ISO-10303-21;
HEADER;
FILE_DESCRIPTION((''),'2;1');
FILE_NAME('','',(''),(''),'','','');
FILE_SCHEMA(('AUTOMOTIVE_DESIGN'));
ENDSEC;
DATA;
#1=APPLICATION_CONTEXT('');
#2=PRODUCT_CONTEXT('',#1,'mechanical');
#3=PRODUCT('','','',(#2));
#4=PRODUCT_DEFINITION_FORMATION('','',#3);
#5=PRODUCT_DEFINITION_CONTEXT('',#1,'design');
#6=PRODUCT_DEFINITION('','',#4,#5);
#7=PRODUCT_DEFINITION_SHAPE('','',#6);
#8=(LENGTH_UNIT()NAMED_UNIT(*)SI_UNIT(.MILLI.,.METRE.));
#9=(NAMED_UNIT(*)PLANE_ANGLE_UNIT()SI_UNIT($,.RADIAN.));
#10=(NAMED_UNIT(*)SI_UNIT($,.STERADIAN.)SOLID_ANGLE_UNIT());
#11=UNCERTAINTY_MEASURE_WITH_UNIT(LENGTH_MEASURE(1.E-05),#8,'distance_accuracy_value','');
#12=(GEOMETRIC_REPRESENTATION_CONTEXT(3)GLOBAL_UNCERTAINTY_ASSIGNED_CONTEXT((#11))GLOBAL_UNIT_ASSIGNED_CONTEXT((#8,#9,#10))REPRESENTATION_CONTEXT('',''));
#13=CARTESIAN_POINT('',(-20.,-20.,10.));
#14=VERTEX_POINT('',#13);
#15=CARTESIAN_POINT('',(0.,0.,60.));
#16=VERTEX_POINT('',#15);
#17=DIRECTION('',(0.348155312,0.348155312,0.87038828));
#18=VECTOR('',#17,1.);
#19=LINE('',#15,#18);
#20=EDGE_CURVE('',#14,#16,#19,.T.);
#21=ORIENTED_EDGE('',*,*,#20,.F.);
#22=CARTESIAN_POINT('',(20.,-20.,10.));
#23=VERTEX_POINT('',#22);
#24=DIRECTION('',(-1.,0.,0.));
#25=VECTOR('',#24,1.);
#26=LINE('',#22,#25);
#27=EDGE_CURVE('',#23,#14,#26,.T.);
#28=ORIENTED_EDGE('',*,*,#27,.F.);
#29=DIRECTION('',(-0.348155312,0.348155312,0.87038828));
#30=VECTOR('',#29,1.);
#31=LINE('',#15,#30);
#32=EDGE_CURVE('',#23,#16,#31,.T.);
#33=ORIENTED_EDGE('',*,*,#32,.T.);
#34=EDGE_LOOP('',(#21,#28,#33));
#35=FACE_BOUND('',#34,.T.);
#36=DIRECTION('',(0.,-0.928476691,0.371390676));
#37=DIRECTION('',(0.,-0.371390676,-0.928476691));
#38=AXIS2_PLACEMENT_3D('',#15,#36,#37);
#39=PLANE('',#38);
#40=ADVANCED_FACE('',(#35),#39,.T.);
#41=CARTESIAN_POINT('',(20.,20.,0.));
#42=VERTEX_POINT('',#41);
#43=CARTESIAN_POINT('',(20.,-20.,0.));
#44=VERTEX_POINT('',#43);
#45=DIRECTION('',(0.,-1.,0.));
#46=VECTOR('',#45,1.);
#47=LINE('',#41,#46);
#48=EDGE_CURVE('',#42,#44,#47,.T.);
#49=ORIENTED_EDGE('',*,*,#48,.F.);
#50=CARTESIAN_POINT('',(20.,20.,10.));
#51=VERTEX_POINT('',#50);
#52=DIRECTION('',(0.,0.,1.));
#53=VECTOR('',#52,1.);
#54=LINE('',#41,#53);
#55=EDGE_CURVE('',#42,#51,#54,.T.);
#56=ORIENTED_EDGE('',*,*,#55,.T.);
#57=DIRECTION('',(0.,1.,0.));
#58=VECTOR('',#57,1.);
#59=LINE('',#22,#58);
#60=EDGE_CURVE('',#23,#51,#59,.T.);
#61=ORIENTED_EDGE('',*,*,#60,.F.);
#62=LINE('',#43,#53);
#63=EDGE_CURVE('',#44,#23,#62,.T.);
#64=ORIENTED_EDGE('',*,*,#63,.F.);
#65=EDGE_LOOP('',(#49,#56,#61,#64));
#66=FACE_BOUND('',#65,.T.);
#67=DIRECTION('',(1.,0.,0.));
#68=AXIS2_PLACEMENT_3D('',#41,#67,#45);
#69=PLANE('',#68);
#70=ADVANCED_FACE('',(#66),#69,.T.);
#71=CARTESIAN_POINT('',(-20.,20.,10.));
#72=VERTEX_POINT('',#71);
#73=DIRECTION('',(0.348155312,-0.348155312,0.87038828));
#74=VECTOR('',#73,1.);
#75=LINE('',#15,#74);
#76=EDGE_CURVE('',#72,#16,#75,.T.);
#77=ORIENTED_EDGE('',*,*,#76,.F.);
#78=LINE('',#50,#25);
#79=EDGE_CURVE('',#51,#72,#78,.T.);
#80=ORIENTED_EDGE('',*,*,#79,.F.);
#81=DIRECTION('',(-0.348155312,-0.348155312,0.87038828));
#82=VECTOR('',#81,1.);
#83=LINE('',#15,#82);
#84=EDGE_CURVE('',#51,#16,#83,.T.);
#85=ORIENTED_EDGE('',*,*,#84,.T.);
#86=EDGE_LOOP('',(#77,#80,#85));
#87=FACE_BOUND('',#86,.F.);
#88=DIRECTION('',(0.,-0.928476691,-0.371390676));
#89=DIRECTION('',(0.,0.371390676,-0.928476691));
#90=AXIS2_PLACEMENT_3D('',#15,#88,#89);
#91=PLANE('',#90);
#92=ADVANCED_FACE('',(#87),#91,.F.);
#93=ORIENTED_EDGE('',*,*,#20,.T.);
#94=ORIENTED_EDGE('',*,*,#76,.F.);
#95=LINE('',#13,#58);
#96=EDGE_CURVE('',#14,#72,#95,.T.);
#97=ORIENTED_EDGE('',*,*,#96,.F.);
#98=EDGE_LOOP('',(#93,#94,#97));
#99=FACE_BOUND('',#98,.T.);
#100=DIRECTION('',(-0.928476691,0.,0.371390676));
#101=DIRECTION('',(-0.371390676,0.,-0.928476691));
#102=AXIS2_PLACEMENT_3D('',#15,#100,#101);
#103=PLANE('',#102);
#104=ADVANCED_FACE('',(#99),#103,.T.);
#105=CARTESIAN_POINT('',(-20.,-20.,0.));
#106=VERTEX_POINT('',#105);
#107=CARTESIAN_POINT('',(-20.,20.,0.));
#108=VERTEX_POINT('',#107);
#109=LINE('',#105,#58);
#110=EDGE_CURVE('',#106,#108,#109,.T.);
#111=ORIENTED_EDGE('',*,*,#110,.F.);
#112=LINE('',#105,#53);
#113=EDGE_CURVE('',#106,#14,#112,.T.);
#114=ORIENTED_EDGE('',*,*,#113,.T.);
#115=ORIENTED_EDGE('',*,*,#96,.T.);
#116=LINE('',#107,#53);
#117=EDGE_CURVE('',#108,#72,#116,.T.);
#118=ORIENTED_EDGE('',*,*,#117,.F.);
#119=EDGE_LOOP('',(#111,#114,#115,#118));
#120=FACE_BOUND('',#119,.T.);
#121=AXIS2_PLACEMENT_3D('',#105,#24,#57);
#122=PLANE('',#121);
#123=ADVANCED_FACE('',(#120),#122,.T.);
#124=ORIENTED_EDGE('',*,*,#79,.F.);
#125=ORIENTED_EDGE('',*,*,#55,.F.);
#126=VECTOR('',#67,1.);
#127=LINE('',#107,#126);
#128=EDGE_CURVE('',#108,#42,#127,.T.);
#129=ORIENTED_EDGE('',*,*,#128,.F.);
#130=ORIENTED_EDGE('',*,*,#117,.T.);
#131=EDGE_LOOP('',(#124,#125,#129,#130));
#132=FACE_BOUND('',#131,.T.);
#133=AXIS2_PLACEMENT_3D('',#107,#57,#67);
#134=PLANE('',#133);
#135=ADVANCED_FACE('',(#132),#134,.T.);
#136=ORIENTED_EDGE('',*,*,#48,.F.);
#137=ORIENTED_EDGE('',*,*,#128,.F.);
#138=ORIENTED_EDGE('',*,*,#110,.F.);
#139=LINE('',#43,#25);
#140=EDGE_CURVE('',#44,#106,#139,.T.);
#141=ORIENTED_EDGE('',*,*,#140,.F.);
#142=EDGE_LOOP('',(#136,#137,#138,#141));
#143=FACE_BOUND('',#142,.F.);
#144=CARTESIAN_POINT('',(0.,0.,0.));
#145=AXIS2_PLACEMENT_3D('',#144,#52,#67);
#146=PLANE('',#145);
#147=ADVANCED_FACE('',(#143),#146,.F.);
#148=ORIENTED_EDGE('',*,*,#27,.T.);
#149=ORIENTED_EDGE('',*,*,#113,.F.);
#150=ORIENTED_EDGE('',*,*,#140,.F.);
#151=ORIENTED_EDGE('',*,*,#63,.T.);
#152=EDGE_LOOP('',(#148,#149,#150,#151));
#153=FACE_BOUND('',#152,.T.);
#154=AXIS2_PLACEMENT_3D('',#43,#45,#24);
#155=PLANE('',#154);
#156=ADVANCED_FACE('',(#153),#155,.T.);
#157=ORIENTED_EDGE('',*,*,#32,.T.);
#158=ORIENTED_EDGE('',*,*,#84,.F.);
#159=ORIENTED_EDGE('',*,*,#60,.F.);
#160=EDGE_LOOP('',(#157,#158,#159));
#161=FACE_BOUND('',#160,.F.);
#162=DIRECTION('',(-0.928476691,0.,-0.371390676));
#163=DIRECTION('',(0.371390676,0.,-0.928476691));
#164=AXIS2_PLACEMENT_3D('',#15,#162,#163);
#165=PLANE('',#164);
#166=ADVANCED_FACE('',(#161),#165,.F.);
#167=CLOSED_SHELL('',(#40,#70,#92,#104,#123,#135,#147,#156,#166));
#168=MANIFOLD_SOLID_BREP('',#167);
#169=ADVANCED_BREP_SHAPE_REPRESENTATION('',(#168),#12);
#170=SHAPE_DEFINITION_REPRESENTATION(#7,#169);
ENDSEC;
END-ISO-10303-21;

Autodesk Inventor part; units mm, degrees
ref_plane "YZ Plane" through (0, 0, 0) normal (1, 0, 0) x (0, 1, 0)
ref_plane "XZ Plane" through (0, 0, 0) normal (0, 1, 0) x (-1, 0, 0)
ref_plane "XY Plane" through (0, 0, 0) normal (0, 0, 1) x (1, 0, 0)
sketch "Absorber-Base" plane through (0, 0, 0) normal (0, 0, 1) x (1, 0, 0)
  line L0 (-20, 20) -> (20, 20)
  line L1 (20, 20) -> (20, -20)
  line L2 (20, -20) -> (-20, -20)
  line L3 (-20, -20) -> (-20, 20)
  line L4 (-20, 20) -> (20, -20) construction
  line L5 (20, 20) -> (-20, -20) construction
  point P0 (0, 0)
  dimension "d0" = 40
extrude "Gesamtvolumen" add sketch "Absorber-Base" along normal blind 60
sketch "Skizze2" plane through (0, 0, 0) normal (0, 1, 0) x (-1, 0, 0)
  line L0 (-28, 0) -> (28, 0) projected
  line L1 (20, 0) -> (20, 60) projected
  line L2 (-20, 0) -> (-20, 60) projected
  line L3 (20, 0) -> (-20, 0)
  line L4 (-20, 0) -> (-20, 10)
  line L5 (-20, 10) -> (20, 10)
  line L6 (20, 10) -> (20, 0)
  line L7 (-20, 60) -> (20, 60) projected
  line L8 (0, 60) -> (20, 10)
  line L9 (0, 60) -> (-20, 10)
  point P0 (0, 0)
  point P1 (20, 10)
  dimension "d6" = 10
extrude "Cutaway" cut sketch "Skizze2" along normal mid plane 40 contours L2 L7 L9 | L8 L7 L1
pattern_circular "Runde Anordnung1" count 2 over 90 about axis through (0, 0, -10) along (0, 0, 1) of "Cutaway"
equation "\"d0\" = Base_Seitenlänge"
equation "\"d1\" = Gesamthöhe"
equation "\"d6\" = Base_Höhe"
equation "\"d7\" = Base_Seitenlänge"
equation "\"Base_Seitenlänge\" = 40"
equation "\"Base_Höhe\" = 10"
equation "\"Gesamthöhe\" = 60"
properties part number "HF-Absorber-dummy"
